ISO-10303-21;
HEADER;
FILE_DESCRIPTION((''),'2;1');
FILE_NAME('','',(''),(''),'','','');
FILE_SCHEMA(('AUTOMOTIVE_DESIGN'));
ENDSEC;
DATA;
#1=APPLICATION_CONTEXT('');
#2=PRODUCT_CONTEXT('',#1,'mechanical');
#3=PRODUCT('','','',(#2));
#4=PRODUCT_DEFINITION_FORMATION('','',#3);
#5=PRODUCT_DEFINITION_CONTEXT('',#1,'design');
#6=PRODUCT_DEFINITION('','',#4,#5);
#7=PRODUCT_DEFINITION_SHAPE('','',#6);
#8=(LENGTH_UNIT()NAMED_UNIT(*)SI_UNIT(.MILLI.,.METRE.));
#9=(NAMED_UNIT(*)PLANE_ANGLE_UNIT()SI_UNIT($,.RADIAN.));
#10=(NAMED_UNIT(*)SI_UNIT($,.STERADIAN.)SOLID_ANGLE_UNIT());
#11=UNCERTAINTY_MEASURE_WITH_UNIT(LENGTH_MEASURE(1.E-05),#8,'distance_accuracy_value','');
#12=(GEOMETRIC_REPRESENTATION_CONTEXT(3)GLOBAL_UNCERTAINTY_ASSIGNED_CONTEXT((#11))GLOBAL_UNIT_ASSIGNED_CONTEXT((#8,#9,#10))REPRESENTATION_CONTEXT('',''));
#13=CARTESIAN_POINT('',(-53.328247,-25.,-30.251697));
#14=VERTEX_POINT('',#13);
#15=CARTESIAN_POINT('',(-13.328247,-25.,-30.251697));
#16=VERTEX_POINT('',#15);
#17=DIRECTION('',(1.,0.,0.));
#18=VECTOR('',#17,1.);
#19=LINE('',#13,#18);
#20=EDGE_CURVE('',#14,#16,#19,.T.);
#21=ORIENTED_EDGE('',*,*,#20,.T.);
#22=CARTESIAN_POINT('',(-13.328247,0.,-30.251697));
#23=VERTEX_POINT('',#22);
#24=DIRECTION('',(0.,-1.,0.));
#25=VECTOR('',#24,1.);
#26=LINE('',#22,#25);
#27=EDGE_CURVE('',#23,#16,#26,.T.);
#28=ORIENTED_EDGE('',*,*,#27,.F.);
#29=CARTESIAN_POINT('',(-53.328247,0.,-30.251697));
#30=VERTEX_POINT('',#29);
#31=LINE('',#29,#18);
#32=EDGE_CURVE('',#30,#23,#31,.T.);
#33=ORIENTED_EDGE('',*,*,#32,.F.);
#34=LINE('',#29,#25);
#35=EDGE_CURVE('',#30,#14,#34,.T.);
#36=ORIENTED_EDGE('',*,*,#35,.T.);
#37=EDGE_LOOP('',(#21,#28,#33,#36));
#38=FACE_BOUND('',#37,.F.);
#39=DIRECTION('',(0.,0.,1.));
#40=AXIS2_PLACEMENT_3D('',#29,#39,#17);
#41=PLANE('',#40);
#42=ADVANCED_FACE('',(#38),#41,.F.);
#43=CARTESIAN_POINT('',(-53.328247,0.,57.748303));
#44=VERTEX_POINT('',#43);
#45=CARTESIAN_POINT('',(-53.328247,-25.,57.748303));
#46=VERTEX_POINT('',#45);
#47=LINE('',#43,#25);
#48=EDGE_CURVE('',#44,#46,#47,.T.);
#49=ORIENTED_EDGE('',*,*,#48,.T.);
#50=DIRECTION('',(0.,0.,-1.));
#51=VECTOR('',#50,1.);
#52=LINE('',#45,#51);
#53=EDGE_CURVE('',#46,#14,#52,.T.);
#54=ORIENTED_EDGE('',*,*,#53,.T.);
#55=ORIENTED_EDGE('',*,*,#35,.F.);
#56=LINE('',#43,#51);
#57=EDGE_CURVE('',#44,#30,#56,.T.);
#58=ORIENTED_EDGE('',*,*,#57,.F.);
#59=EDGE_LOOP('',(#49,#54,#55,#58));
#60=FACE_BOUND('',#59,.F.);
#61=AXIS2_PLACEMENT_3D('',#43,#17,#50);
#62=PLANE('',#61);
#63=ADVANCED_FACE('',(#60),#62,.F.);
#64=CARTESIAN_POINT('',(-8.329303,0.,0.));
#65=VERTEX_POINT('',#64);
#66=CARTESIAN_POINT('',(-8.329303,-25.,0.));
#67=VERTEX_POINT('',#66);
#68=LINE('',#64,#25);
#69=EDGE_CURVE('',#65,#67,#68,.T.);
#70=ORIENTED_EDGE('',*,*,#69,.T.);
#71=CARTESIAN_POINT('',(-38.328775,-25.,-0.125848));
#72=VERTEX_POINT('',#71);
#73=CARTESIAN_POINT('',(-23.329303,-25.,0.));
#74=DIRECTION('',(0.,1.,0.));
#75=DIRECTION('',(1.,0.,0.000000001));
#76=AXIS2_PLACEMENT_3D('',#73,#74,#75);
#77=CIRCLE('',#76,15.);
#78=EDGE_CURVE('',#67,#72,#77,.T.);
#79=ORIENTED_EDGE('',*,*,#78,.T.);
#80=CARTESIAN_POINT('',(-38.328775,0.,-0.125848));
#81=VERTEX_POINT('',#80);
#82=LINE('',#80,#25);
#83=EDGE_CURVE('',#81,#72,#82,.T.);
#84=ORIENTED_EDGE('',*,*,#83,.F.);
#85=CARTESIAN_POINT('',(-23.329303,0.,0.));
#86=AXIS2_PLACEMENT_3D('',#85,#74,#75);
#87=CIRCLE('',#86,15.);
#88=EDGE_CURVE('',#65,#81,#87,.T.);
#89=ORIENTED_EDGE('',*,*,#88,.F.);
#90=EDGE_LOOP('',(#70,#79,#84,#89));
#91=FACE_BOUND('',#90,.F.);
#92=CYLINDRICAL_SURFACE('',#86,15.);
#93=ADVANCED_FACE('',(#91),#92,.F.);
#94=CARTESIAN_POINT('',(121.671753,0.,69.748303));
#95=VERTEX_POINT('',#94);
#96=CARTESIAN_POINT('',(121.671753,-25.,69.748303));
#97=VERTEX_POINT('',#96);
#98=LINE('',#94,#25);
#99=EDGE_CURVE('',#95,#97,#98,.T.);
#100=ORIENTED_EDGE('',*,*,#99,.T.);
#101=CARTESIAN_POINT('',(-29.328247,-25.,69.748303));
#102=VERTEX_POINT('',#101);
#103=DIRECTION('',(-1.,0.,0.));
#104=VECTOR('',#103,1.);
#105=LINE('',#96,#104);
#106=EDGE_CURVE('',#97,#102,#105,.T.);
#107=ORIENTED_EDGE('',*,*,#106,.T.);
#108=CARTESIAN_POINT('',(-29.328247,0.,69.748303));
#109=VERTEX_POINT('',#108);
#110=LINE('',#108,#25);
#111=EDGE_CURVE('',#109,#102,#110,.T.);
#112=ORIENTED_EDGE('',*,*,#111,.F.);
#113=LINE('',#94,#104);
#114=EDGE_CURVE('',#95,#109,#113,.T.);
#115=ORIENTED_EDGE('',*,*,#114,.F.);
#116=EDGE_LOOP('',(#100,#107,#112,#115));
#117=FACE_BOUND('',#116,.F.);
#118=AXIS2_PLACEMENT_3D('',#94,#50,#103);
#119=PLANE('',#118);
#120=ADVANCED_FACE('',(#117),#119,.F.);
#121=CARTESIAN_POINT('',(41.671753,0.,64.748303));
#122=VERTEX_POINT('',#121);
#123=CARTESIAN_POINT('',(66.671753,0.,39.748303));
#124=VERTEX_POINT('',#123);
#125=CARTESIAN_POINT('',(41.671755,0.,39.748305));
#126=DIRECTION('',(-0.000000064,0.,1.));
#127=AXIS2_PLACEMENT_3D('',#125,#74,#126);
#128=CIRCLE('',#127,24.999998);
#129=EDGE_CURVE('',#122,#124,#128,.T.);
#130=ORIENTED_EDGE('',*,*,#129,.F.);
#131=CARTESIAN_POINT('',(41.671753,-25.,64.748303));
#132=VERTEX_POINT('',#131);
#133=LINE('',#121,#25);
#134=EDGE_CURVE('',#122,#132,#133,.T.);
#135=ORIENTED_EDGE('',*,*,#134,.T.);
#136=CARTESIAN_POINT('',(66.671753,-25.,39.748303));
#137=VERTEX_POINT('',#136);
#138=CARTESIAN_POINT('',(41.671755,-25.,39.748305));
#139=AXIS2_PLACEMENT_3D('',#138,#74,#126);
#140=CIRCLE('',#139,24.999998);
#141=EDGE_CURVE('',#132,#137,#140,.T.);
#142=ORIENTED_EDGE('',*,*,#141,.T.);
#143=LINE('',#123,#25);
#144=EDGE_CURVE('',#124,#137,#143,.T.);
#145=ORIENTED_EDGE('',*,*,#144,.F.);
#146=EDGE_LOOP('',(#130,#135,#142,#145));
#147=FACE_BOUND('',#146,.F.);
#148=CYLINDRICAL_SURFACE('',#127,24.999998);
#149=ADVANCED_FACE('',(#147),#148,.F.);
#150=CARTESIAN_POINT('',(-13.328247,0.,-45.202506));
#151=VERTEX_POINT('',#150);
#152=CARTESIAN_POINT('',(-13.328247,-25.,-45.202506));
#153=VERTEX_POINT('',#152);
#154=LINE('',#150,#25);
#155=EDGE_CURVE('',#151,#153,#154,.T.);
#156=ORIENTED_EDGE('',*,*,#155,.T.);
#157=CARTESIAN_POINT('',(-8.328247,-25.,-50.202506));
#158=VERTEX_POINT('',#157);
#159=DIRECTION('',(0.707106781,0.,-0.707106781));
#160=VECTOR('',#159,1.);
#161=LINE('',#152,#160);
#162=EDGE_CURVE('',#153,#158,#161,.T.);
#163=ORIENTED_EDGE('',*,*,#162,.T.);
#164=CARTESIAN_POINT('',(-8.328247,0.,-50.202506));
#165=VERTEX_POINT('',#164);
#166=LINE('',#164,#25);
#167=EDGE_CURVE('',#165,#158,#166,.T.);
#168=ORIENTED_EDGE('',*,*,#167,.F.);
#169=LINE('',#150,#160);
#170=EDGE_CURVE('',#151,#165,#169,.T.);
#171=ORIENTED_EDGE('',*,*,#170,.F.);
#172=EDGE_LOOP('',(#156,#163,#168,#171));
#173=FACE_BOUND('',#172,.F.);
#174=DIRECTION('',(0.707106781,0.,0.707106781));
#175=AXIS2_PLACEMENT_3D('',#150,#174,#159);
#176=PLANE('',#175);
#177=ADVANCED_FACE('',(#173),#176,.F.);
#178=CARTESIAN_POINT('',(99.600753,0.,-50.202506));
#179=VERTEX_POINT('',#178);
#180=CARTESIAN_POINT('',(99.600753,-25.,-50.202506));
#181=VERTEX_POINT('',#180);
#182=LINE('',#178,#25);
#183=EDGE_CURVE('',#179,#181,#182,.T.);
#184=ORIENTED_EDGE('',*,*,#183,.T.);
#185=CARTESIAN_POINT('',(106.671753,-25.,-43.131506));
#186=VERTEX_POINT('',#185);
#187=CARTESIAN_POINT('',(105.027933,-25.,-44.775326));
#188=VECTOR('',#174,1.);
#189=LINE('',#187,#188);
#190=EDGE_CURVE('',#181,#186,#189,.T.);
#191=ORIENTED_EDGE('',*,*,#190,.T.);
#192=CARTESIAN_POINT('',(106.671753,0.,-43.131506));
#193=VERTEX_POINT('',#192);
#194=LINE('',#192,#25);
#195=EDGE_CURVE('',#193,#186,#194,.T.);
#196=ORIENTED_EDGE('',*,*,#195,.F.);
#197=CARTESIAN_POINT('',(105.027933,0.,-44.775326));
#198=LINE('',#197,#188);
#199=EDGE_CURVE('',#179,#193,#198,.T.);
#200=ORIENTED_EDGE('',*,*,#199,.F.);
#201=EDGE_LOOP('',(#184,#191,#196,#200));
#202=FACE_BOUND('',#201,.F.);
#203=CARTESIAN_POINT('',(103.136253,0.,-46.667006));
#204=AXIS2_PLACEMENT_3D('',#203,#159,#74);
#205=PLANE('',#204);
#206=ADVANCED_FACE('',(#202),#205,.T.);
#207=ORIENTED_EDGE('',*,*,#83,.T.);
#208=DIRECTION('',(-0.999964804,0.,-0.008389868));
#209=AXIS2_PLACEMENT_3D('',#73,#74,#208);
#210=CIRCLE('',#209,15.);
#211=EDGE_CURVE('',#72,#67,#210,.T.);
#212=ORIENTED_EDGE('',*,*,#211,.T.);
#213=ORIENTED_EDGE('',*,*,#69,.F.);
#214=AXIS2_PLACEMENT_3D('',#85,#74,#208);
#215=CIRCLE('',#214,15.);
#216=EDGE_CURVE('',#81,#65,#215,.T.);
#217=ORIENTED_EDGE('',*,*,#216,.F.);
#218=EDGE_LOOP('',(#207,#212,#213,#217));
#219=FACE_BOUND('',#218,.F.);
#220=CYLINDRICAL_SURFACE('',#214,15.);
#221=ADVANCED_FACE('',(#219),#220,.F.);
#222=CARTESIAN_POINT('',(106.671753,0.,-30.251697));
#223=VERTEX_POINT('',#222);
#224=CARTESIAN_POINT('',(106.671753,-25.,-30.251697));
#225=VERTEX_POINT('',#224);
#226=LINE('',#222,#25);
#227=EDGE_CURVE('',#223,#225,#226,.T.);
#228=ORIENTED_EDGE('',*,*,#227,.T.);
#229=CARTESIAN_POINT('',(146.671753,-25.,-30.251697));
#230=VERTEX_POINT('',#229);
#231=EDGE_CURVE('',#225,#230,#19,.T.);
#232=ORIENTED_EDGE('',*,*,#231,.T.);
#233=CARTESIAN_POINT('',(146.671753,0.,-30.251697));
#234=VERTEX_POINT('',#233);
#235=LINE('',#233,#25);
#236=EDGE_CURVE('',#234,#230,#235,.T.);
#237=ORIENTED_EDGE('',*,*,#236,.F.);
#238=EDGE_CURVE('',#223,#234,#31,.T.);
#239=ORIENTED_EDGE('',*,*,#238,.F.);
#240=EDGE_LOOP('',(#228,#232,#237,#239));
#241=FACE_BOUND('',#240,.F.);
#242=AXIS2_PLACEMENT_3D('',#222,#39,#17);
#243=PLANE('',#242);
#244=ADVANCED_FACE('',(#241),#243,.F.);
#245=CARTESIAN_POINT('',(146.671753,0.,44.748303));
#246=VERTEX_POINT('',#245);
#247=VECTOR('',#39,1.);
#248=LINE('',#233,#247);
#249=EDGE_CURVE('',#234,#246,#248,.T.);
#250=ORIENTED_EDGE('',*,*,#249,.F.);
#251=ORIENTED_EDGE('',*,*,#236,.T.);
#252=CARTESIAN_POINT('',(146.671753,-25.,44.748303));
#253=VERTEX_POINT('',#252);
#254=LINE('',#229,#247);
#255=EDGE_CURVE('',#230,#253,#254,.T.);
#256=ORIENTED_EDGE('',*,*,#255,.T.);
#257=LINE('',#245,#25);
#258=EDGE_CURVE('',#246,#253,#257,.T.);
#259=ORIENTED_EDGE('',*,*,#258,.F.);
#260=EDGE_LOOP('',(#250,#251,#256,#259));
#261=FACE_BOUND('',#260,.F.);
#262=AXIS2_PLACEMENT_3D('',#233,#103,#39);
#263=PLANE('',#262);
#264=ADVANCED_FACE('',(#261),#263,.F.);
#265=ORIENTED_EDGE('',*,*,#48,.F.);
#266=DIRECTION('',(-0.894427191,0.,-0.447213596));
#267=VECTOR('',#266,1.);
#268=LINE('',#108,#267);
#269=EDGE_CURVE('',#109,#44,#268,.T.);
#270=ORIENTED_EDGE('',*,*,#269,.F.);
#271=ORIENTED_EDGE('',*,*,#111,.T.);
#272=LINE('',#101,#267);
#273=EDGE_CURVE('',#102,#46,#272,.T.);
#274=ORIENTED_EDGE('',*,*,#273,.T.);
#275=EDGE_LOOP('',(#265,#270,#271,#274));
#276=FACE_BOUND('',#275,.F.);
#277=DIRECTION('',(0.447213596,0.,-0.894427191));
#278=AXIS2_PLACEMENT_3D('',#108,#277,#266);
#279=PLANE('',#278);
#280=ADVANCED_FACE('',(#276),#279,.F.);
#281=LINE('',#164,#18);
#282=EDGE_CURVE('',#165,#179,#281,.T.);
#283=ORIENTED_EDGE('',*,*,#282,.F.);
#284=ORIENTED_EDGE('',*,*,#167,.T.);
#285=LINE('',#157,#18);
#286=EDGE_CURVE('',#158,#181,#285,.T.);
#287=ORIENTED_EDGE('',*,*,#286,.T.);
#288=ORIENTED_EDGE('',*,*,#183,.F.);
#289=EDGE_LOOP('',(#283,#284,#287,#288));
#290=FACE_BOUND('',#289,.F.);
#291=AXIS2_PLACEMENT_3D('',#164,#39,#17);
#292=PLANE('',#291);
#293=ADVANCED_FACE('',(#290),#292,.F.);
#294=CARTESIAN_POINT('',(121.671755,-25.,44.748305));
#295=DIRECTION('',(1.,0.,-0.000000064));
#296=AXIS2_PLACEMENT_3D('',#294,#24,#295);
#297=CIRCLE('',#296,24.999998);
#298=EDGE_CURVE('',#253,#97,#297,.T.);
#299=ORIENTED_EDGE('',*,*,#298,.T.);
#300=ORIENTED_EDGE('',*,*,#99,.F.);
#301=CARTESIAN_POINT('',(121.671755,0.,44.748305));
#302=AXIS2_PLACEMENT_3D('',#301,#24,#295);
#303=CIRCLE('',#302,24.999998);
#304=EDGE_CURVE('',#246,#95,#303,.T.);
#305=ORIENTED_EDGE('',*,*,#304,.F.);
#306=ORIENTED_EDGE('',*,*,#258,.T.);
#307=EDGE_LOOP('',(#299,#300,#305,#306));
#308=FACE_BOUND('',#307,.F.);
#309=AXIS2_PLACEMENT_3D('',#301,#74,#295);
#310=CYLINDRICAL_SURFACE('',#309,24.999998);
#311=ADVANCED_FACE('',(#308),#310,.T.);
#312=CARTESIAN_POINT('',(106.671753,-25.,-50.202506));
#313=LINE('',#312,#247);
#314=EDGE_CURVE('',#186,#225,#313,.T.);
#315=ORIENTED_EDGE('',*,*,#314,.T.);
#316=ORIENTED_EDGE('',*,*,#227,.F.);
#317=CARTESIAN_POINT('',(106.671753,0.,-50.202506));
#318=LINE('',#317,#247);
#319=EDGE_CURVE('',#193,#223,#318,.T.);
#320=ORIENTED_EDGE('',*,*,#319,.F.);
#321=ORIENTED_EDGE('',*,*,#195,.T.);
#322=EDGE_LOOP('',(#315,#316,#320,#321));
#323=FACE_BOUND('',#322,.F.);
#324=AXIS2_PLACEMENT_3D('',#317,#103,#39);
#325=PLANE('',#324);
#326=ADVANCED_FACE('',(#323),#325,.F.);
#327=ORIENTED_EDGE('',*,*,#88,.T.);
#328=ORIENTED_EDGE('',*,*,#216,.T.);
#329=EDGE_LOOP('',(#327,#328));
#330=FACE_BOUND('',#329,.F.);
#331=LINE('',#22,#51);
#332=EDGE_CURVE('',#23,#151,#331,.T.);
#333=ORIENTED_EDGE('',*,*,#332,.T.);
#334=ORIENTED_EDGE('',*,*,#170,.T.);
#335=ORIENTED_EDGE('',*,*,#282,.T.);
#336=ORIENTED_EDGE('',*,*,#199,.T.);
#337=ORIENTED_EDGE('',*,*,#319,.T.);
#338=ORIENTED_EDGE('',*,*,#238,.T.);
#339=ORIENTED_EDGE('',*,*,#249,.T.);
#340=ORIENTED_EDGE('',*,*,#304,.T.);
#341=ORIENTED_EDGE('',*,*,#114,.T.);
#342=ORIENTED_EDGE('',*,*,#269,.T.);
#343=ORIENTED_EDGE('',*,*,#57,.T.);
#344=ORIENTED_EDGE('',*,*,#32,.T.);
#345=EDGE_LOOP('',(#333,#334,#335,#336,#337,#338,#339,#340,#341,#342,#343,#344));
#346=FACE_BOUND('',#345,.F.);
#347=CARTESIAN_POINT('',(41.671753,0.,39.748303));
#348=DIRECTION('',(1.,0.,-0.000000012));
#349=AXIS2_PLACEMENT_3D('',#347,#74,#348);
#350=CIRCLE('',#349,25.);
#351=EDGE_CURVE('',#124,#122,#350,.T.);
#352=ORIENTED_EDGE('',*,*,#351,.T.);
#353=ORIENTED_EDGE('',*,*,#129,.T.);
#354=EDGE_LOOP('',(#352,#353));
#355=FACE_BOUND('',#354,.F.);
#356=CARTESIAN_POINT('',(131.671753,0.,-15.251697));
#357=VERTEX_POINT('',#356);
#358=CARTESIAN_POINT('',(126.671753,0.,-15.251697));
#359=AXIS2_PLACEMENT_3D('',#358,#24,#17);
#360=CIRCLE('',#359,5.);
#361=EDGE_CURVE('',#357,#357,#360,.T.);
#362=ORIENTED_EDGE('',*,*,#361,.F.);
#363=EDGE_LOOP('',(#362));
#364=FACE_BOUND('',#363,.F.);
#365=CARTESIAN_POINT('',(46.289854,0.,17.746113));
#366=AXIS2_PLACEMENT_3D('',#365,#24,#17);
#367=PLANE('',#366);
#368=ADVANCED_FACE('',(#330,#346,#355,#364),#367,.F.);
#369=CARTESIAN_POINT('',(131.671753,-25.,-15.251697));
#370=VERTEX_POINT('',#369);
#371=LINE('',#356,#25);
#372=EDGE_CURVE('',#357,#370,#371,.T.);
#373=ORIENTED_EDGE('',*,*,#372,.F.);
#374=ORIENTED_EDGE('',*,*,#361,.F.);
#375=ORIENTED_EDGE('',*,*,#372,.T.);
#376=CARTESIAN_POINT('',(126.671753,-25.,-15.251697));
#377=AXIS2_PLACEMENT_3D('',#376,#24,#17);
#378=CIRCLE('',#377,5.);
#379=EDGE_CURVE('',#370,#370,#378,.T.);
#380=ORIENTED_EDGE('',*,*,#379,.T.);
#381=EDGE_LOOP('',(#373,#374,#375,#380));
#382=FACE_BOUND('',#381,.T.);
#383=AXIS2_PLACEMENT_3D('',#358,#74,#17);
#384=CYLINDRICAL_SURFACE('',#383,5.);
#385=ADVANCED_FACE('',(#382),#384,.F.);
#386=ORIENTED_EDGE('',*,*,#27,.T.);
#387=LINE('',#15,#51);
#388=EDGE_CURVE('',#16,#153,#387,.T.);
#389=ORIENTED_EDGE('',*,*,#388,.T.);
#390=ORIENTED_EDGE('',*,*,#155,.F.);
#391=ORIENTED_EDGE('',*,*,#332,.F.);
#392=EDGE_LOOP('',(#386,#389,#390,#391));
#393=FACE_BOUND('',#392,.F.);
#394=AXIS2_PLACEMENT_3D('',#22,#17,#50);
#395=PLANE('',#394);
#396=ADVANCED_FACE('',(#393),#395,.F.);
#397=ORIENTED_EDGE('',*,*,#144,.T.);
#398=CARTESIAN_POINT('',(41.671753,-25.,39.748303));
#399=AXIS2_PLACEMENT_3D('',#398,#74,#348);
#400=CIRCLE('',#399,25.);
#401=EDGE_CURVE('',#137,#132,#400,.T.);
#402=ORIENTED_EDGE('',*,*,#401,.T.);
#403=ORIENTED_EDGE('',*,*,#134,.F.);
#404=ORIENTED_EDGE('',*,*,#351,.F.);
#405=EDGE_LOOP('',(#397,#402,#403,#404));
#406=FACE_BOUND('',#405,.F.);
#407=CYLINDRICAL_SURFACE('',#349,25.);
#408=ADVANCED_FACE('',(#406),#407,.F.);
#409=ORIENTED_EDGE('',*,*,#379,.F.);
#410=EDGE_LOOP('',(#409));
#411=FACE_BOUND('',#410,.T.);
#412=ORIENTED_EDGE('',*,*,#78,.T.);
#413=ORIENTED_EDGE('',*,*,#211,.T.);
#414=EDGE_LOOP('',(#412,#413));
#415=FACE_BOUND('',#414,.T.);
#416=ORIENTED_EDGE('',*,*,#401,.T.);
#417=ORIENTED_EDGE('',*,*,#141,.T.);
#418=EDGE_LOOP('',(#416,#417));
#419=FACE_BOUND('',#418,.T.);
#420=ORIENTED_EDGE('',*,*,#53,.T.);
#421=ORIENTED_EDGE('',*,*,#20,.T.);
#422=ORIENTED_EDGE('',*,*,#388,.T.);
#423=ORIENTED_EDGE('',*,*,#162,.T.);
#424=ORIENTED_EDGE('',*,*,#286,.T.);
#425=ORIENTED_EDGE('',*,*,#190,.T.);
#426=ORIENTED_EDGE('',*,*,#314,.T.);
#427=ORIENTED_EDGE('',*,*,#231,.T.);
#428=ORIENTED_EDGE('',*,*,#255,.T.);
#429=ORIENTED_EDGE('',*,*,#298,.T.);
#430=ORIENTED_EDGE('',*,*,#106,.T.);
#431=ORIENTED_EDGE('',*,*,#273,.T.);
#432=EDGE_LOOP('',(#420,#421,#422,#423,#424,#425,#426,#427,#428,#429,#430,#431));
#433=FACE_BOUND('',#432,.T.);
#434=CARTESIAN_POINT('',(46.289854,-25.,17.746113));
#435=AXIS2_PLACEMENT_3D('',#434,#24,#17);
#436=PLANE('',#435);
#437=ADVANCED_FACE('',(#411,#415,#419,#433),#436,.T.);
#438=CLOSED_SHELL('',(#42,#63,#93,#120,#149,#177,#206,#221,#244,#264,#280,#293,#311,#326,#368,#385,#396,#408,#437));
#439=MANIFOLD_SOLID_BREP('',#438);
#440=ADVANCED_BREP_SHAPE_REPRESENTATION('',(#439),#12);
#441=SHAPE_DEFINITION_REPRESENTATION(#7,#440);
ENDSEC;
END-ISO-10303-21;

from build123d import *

# Parameters (mm, degrees)
F0_R     = 5
F1_DEPTH = 25
F2_SIZE  = 7.071


with BuildPart() as f1:
    # F0 (on Front) → F1 (new body)
    with BuildSketch(Plane.XZ):
        with BuildLine():
            Line((-29.328247, 69.748303), (-53.328247, 57.748303))
            Line((-53.328247, 57.748303), (-53.328247, -0.251697))
            Line((-53.328247, -0.251697), (-53.328247, -30.251697))
            Line((-53.328247, -30.251697), (-33.328247, -30.251697))
            Line((-33.328247, -30.251697), (-13.328247, -30.251697))
            Line((-13.328247, -30.251697), (106.671753, -30.251697))
            Line((106.671753, -30.251697), (146.671753, -30.251697))
            Line((146.671753, -30.251697), (146.671753, -15.251697))
            Line((146.671753, -15.251697), (146.671753, 44.748303))
            ThreePointArc((146.671753, 44.748303), (139.349423, 62.425973), (121.671753, 69.748303))
            Line((121.671753, 69.748303), (41.671753, 69.748303))
            Line((41.671753, 69.748303), (-29.328247, 69.748303))
        make_face()
        with BuildLine():
            ThreePointArc((-8.329303, 0), (-23.266378, -14.999868), (-38.328775, -0.125848))
            ThreePointArc((-38.328775, -0.125848), (-23.392227, 14.999868), (-8.329303, 0))
        make_face(mode=Mode.SUBTRACT)
        with Locations((126.671753, -15.251697)):
            Circle(F0_R, mode=Mode.SUBTRACT)
        with BuildLine():
            ThreePointArc((66.671753, 39.748303), (23.994084, 22.070634), (41.671753, 64.748303))
            ThreePointArc((41.671753, 64.748303), (59.349423, 57.425973), (66.671753, 39.748303))
        make_face(mode=Mode.SUBTRACT)
        Polygon((106.671753, -30.251697), (-13.328247, -30.251697), (-13.328247, -45.202506), (-8.328247, -50.202506), (106.671753, -50.202506), align=None)
    extrude(amount=F1_DEPTH)

    # F2
    f2_edges = [f1.edges().sort_by_distance(p)[0] for p in [
        (106.671753, -12.5, -50.202506),
    ]]
    chamfer(f2_edges, length=F2_SIZE)


solid = f1.part
